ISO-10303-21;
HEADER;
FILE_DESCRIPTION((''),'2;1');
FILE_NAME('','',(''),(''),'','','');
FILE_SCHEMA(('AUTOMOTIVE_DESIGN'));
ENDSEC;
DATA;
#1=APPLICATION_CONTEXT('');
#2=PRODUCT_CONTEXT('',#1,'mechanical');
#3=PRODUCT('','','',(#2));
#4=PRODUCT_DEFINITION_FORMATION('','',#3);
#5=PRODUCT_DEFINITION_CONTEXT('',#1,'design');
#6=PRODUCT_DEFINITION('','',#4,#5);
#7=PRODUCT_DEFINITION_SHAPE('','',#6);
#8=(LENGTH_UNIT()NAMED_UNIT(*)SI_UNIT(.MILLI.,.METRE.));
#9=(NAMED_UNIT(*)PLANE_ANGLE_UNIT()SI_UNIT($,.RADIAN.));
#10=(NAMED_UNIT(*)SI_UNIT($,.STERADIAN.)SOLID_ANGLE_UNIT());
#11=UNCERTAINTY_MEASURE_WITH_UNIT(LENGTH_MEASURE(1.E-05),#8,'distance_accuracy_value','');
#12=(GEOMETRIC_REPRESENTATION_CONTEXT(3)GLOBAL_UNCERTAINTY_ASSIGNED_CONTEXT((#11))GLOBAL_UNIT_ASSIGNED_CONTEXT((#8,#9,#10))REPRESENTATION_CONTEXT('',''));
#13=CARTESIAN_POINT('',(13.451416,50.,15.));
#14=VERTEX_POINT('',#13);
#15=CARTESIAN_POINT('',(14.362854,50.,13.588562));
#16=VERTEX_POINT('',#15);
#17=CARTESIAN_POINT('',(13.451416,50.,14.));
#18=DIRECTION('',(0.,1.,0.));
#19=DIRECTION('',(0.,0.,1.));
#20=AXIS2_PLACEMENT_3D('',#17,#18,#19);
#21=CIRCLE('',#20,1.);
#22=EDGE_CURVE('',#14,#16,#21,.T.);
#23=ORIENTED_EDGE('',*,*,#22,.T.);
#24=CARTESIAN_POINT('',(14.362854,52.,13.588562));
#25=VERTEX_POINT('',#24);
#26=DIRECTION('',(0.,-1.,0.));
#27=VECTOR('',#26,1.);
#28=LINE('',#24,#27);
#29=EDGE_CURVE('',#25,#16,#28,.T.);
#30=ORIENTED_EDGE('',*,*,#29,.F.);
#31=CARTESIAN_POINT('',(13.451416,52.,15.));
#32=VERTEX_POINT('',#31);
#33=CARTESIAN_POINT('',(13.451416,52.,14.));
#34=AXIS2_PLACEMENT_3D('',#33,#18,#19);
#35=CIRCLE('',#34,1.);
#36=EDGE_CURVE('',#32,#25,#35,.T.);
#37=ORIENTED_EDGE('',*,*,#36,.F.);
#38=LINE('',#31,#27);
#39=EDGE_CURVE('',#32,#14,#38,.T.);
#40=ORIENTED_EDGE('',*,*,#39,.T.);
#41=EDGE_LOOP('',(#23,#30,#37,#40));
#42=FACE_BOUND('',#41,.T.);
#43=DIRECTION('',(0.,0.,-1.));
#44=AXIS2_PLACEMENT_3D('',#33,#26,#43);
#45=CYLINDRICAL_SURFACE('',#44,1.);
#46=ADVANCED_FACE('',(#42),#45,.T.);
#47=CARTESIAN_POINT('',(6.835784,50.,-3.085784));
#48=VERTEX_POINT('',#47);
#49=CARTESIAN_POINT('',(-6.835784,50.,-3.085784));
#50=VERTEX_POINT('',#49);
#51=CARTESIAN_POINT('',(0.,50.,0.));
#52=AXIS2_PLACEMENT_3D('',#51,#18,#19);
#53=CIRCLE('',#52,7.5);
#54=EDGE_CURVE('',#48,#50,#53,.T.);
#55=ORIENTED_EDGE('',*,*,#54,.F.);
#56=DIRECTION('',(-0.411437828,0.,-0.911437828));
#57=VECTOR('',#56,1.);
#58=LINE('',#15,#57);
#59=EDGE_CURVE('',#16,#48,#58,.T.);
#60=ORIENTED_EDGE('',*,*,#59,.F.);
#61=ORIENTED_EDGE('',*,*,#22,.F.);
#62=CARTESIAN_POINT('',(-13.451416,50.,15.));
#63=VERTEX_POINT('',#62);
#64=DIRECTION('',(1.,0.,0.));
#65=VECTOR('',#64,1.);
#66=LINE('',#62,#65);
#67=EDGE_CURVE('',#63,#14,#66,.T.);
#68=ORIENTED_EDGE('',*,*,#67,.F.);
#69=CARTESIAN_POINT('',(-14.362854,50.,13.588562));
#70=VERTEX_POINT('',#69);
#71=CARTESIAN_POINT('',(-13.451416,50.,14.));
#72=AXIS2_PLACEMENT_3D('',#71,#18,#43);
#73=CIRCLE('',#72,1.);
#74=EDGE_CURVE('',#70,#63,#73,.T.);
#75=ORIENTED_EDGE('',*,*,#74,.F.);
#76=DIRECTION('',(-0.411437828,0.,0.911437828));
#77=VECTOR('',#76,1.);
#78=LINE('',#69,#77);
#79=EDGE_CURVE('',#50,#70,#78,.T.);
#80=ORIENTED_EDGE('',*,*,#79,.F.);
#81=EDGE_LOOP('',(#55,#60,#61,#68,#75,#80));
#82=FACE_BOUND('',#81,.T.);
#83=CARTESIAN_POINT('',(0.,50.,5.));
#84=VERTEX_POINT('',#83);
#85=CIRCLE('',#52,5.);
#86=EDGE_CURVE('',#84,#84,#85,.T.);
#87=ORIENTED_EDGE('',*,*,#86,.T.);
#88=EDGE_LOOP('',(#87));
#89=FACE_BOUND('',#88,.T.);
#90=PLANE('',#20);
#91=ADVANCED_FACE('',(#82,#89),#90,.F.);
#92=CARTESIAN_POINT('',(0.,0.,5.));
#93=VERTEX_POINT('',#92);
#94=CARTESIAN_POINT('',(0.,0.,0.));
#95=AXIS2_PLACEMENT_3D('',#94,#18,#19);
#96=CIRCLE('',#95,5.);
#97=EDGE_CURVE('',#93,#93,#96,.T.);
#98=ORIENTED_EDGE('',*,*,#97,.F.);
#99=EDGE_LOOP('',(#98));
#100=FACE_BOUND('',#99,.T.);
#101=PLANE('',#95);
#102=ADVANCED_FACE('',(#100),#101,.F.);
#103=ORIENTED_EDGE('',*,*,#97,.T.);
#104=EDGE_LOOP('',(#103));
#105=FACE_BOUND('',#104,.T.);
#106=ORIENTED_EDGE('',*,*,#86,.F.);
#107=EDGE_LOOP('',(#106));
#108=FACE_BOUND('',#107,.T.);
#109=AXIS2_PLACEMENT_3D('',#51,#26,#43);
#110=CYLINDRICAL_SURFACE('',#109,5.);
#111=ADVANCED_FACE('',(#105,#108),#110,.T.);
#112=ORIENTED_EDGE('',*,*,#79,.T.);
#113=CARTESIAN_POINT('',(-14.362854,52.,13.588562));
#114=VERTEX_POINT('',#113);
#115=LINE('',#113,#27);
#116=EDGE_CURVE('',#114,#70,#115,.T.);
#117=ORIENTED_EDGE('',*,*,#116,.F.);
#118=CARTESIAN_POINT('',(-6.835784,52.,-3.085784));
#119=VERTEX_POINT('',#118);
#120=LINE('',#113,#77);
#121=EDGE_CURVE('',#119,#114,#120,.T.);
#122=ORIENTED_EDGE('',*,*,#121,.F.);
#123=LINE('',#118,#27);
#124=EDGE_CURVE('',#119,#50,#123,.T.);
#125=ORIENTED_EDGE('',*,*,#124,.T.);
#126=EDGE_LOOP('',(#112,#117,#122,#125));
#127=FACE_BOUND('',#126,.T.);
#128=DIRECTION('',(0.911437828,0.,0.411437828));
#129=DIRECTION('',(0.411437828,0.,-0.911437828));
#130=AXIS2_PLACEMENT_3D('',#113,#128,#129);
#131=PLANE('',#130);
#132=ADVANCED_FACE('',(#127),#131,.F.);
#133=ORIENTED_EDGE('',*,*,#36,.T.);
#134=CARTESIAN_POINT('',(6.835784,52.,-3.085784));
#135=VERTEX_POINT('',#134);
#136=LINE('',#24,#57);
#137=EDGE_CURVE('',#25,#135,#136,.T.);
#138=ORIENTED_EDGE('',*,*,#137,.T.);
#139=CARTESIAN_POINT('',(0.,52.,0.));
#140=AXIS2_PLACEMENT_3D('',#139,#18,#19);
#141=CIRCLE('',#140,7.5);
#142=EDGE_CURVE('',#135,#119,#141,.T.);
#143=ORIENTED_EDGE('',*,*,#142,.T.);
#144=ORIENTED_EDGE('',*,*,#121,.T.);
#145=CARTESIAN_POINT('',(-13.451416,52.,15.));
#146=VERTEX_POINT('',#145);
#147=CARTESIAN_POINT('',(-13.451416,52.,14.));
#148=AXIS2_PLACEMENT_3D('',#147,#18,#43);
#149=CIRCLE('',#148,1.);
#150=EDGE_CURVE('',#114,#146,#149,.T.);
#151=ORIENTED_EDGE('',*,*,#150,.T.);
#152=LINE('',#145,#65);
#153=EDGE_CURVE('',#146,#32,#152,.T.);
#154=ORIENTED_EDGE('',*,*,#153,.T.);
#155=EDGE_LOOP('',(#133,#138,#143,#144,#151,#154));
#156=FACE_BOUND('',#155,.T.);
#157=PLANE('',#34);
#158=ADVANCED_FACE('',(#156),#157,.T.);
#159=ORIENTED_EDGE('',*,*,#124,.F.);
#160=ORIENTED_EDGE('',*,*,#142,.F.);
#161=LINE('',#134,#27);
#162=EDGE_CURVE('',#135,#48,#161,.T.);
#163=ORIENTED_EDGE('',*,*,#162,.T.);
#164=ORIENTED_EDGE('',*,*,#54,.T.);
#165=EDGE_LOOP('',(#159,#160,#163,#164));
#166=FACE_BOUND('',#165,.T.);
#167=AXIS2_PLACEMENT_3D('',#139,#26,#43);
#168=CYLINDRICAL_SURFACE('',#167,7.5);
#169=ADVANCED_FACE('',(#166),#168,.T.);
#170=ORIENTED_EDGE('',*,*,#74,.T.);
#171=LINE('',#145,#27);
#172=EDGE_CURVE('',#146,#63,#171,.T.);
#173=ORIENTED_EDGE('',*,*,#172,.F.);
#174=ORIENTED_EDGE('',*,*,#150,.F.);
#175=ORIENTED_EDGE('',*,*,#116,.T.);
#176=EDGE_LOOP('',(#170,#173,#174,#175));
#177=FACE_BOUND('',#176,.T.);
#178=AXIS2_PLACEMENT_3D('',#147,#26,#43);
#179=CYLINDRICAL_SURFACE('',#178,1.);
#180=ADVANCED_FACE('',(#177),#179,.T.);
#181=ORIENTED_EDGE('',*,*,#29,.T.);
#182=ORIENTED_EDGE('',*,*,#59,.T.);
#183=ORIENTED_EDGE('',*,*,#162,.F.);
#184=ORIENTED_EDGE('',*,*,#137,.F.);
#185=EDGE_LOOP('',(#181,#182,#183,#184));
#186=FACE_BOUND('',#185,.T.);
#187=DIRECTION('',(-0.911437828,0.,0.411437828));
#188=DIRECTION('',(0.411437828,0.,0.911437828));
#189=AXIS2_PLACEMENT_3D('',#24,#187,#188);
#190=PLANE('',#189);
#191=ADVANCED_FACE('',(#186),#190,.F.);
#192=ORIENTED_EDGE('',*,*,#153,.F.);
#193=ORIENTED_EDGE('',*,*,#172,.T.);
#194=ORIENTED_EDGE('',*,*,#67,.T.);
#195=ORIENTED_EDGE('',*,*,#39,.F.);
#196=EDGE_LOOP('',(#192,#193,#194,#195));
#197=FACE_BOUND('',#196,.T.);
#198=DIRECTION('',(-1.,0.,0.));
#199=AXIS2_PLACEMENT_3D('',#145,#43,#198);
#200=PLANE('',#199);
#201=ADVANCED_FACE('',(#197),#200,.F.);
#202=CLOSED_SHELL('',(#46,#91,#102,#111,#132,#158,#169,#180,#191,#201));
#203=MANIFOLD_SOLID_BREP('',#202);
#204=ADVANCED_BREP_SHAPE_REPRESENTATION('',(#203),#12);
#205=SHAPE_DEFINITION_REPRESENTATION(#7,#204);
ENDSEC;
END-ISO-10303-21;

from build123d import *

# Parameters (mm, degrees)
SKETCH1_R           = 5
BOSS_EXTRUDE1_DEPTH = 50
BOSS_EXTRUDE2_DEPTH = 2


with BuildPart() as part:
    # Sketch1 → Boss-Extrude1 (new body)
    with BuildSketch(Plane(origin=(0, 0, 0), x_dir=(1, 0, 0), z_dir=(0, 1, 0))):
        with Locations(Location((0, 0, 0), (0, 0, 270))):
            Circle(SKETCH1_R)
    extrude(amount=BOSS_EXTRUDE1_DEPTH)

    # Sketch2 → Boss-Extrude2 (add)
    with BuildSketch(Plane(origin=(0, 50, 0), x_dir=(1, 0, 0), z_dir=(0, 1, 0))):
        with BuildLine():
            Line((-13.45141623, -15), (13.45141623, -15))
            ThreePointArc((13.45141623, -15), (14.291487009, -14.542476807), (14.362854057, -13.588562172))
            Line((14.362854057, -13.588562172), (6.835783708, 3.085783708))
            ThreePointArc((6.835783708, 3.085783708), (0, 7.5), (-6.835783708, 3.085783708))
            Line((-6.835783708, 3.085783708), (-14.362854057, -13.588562172))
            ThreePointArc((-14.362854057, -13.588562172), (-14.291487009, -14.542476807), (-13.45141623, -15))
        make_face()
    extrude(amount=BOSS_EXTRUDE2_DEPTH)


solid = part.part
